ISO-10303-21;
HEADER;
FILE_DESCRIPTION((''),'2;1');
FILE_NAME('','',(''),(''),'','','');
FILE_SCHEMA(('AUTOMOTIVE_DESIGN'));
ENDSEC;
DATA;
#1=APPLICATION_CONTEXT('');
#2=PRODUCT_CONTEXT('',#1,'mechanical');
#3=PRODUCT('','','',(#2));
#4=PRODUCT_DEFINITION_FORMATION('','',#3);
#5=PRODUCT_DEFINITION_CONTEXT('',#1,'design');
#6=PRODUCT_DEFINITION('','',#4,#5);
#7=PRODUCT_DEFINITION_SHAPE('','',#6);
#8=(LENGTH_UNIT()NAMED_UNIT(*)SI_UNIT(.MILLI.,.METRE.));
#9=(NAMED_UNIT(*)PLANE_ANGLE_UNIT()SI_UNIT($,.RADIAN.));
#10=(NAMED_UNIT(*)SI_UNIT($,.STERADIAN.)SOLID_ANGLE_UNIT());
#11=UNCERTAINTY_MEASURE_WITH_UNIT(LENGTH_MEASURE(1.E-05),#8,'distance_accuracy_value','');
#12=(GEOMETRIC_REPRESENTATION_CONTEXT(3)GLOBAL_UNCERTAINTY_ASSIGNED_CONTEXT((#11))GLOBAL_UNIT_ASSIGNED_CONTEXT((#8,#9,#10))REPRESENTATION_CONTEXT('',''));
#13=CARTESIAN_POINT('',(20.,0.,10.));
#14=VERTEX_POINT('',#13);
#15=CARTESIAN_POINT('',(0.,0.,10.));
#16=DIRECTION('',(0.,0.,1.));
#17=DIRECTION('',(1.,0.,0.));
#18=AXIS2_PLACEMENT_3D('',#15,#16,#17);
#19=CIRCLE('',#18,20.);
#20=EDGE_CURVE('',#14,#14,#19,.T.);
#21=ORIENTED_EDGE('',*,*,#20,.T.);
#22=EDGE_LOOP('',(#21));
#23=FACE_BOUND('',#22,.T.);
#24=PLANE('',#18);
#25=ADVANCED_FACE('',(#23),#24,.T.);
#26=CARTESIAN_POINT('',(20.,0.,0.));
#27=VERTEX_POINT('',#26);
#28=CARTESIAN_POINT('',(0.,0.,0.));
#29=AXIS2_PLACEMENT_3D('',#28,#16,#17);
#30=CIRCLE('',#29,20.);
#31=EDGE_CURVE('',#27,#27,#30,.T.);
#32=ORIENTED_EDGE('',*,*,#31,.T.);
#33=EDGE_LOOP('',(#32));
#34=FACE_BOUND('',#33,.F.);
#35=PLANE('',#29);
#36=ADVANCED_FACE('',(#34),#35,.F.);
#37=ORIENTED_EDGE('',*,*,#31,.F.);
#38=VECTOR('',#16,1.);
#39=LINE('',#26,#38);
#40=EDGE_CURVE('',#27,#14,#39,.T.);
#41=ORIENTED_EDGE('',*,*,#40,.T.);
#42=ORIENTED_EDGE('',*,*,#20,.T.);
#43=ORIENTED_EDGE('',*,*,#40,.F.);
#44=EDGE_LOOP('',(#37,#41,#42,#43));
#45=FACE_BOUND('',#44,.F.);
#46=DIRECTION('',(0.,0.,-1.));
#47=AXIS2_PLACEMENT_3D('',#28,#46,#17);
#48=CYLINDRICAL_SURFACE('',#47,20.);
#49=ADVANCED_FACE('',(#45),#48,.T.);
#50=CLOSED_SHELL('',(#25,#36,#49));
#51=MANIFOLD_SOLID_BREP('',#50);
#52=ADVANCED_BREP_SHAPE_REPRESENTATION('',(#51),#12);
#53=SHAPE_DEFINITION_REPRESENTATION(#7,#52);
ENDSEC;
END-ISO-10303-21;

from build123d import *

# Parameters (mm, degrees)
SKETCH_R  = 20
PAD_DEPTH = 10


with BuildPart() as part:
    # Sketch → Pad (new body)
    with BuildSketch(Plane.XY):
        Circle(SKETCH_R)
    extrude(amount=PAD_DEPTH)


solid = part.part
